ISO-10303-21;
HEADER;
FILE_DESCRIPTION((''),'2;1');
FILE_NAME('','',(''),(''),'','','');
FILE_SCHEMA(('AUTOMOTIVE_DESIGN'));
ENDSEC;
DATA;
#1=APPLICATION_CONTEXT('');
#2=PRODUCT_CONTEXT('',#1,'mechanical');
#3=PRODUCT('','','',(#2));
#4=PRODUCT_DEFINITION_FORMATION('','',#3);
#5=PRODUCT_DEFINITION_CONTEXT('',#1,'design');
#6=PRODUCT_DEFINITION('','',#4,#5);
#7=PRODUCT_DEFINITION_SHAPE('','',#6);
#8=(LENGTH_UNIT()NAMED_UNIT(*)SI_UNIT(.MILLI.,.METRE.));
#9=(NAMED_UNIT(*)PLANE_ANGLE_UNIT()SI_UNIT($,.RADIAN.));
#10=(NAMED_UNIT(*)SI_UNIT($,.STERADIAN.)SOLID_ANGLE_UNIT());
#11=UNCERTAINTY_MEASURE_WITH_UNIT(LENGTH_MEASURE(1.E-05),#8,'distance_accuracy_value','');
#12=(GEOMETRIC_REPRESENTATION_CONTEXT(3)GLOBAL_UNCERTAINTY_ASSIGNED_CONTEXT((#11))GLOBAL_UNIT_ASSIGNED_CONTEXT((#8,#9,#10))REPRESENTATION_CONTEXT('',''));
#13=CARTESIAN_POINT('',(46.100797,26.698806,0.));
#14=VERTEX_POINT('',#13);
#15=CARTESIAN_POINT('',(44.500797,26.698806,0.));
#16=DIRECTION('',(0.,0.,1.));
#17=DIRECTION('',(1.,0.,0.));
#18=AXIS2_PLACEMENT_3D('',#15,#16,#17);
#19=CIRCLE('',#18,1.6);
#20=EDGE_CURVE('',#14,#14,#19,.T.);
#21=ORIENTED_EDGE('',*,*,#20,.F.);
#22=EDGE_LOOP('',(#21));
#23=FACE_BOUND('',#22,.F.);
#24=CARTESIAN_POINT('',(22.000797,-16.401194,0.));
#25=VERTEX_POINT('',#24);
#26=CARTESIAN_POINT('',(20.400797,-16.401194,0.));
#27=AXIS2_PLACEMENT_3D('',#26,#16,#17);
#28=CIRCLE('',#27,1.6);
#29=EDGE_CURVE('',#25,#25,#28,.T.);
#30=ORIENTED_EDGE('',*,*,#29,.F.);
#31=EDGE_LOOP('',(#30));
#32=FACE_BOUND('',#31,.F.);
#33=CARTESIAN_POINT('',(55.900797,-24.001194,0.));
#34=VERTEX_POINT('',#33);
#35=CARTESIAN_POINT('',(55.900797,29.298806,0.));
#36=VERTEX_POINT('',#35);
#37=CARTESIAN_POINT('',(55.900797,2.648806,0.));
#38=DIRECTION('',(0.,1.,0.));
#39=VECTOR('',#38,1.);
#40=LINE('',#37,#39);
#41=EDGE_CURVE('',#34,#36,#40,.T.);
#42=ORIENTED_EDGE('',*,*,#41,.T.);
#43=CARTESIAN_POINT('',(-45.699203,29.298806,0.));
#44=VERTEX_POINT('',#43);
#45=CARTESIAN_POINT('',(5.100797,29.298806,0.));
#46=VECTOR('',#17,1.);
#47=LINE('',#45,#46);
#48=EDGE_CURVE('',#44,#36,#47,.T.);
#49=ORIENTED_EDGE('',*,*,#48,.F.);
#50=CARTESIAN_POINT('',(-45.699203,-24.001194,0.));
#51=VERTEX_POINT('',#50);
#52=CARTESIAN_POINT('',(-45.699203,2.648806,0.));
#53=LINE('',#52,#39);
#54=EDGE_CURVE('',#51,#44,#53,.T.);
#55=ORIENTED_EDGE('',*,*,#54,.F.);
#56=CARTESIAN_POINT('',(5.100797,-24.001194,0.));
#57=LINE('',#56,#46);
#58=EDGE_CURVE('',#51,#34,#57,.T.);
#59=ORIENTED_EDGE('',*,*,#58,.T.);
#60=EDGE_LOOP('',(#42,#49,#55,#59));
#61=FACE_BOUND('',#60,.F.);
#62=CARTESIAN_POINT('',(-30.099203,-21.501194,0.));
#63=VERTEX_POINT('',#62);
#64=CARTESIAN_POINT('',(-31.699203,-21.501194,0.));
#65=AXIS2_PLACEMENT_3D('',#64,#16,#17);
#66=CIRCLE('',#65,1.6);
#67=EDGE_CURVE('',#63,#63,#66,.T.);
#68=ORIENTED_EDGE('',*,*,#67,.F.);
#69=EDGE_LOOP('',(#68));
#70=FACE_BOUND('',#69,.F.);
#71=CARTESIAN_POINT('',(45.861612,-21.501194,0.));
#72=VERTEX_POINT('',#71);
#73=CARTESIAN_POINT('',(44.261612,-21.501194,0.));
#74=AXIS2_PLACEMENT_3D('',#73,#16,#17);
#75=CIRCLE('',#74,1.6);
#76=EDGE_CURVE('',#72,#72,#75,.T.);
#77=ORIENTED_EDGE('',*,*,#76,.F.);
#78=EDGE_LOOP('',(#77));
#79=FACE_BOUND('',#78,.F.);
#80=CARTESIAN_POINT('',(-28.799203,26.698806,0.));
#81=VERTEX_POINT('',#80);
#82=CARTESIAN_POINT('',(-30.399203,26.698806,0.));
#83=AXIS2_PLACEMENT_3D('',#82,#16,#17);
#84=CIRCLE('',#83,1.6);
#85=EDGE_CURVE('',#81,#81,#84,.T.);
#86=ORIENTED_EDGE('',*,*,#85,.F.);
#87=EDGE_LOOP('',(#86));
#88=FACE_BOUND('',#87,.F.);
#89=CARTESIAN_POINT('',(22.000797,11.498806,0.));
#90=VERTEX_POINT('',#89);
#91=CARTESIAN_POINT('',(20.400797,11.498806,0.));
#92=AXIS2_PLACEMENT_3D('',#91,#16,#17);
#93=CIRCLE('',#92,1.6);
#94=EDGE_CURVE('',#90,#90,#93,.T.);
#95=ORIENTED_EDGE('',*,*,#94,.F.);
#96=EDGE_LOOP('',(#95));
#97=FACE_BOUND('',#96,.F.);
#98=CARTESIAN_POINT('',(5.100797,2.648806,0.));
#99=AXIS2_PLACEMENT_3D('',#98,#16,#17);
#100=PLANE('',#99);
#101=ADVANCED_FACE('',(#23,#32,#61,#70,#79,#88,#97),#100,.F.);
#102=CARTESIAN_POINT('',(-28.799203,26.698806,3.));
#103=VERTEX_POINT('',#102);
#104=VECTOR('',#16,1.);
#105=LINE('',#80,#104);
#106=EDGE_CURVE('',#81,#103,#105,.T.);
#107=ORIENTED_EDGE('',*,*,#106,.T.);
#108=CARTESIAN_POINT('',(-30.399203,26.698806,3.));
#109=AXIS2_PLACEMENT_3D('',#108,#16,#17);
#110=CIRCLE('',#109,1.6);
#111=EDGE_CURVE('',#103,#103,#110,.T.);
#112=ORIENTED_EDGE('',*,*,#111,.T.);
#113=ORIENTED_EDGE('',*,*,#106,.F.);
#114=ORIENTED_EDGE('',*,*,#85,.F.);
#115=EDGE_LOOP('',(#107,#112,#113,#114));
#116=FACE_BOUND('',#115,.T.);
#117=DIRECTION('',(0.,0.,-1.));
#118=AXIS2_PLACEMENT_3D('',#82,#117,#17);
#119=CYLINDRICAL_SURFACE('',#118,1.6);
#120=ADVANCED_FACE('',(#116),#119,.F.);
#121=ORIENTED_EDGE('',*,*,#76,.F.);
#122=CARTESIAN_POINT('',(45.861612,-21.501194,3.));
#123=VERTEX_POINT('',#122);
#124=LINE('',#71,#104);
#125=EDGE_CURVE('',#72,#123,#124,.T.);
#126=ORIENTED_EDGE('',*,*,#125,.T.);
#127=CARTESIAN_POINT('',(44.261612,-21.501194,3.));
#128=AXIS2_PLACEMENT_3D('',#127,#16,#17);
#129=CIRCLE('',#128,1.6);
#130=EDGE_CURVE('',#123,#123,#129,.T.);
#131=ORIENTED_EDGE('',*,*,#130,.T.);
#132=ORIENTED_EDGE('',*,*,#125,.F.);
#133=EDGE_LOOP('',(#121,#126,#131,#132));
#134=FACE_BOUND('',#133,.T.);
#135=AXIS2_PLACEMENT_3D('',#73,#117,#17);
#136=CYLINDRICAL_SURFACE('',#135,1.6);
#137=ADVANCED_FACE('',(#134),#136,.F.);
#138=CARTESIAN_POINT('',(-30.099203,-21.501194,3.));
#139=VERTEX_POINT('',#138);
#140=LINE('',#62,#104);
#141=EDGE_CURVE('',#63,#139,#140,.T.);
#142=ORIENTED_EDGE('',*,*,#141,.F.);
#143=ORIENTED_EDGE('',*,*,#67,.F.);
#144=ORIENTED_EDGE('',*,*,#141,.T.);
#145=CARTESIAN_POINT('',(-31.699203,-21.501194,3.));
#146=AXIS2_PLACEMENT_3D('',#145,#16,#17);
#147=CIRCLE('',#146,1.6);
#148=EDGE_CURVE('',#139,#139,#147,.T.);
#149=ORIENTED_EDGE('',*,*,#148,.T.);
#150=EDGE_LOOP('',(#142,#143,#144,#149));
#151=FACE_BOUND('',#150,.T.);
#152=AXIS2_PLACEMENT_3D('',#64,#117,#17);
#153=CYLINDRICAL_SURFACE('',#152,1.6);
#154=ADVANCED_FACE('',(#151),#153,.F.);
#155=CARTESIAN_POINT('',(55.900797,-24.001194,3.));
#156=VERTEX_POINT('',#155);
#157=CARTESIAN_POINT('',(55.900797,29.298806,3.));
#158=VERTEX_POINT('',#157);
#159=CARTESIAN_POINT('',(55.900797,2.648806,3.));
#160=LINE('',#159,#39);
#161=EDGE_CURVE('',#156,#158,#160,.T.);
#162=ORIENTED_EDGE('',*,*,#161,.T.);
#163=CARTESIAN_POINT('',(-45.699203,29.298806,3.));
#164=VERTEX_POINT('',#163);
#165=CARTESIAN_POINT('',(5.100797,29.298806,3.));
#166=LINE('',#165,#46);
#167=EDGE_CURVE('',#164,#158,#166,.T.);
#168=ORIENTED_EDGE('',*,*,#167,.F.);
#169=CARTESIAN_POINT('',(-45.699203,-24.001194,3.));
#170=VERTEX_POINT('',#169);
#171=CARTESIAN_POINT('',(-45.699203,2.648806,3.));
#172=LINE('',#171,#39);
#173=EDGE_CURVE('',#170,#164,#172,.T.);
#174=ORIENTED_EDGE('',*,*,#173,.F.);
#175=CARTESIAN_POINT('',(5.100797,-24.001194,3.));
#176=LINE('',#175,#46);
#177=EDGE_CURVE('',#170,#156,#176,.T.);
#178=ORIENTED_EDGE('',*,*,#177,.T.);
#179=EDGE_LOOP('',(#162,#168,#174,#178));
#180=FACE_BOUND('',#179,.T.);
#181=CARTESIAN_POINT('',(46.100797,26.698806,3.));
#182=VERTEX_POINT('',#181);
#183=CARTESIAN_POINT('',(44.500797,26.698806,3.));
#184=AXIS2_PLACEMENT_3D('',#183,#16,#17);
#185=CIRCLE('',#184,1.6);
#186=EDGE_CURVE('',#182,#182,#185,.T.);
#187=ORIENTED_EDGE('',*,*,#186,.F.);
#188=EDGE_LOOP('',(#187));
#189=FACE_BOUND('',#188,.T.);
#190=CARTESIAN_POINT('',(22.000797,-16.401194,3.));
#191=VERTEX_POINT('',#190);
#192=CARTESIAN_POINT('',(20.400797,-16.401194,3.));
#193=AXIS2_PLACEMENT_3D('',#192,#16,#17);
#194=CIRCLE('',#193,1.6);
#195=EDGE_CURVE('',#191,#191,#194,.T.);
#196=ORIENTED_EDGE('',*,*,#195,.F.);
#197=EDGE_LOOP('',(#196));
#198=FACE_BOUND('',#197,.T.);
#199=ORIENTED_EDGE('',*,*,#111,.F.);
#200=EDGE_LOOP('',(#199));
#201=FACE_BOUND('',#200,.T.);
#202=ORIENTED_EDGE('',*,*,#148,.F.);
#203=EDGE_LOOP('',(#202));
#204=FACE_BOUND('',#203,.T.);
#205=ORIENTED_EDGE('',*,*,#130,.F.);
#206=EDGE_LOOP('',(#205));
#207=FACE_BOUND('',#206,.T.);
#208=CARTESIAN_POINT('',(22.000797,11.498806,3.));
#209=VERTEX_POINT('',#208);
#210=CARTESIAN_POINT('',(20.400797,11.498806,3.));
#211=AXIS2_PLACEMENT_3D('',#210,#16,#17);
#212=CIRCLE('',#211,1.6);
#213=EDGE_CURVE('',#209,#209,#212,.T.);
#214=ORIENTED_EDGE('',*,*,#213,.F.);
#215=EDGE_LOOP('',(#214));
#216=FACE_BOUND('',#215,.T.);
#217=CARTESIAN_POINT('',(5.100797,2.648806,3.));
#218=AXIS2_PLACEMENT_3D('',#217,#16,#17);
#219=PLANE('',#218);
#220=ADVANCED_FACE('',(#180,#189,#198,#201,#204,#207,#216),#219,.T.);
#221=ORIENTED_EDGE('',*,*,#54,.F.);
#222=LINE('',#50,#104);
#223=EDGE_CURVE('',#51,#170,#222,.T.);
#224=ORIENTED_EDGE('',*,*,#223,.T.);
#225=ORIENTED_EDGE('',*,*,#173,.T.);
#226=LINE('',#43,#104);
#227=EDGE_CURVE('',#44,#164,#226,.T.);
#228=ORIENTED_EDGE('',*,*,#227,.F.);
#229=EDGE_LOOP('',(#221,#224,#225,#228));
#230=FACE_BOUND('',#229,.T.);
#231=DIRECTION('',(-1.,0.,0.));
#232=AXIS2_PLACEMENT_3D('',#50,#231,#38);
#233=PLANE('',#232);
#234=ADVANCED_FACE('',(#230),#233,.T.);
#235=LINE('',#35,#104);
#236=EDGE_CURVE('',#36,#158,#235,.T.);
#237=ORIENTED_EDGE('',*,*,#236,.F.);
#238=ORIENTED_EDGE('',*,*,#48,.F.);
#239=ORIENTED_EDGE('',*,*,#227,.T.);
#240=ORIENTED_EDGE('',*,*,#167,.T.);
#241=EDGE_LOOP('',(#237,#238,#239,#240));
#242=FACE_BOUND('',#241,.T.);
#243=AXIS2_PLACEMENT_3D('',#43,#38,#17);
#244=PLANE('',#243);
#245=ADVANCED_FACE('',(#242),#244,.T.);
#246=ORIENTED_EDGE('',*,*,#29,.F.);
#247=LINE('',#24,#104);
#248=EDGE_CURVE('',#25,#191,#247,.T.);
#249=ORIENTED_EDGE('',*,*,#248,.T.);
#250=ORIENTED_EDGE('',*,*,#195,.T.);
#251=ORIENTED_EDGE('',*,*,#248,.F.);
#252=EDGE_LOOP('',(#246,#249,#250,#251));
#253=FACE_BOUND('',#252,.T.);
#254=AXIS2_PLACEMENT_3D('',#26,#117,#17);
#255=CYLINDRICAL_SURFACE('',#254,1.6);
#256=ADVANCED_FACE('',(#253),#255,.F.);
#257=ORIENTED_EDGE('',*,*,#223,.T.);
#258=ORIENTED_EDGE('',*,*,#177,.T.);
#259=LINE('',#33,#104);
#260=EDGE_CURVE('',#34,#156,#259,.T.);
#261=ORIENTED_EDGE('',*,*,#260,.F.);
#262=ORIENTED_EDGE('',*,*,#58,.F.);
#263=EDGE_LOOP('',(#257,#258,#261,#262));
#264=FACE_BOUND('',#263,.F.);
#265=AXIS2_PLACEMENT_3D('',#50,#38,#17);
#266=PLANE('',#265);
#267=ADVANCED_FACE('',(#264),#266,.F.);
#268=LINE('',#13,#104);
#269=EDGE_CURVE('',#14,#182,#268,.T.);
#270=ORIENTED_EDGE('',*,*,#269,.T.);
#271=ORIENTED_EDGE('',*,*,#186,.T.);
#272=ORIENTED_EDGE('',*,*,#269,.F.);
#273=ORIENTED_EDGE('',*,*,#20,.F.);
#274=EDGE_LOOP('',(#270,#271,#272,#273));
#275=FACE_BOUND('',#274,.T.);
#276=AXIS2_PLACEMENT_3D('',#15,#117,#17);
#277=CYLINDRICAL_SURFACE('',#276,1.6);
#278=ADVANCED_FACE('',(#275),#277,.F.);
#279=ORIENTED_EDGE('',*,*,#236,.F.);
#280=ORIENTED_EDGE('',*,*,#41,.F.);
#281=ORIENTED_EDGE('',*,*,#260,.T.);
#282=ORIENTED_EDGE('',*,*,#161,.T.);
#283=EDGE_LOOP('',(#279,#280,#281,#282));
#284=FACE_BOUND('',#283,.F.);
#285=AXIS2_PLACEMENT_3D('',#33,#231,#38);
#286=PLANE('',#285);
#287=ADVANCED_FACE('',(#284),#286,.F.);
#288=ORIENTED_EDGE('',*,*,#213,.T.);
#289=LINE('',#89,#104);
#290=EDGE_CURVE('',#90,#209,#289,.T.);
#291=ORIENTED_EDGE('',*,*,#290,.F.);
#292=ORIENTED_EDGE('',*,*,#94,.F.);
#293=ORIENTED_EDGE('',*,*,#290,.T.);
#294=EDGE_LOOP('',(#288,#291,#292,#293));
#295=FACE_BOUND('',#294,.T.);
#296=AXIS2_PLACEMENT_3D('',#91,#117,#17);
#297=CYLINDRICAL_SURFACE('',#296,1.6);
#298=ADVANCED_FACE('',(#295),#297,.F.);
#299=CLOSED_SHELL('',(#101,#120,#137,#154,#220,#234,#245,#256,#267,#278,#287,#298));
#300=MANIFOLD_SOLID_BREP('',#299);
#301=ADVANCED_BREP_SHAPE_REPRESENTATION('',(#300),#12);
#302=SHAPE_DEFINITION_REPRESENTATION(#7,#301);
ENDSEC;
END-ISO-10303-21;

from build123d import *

# Parameters (mm, degrees)
F0_W     = 101.6
F0_H     = 53.3
F0_R     = 1.6
F1_DEPTH = 3


with BuildPart() as f1:
    # F0 (on Top) → F1 (new body)
    with BuildSketch(Plane.XY):
        with Locations((5.100797, 2.648806)):
            Rectangle(F0_W, F0_H)
        with Locations((-31.699203, -21.501194)):
            Circle(F0_R, mode=Mode.SUBTRACT)
        with Locations((20.400797, -16.401194)):
            Circle(F0_R, mode=Mode.SUBTRACT)
        with Locations((44.261612, -21.501194)):
            Circle(F0_R, mode=Mode.SUBTRACT)
        with Locations((-30.399203, 26.698806)):
            Circle(F0_R, mode=Mode.SUBTRACT)
        with Locations((20.400797, 11.498806)):
            Circle(F0_R, mode=Mode.SUBTRACT)
        with Locations((44.500797, 26.698806)):
            Circle(F0_R, mode=Mode.SUBTRACT)
    extrude(amount=F1_DEPTH)


solid = f1.part
